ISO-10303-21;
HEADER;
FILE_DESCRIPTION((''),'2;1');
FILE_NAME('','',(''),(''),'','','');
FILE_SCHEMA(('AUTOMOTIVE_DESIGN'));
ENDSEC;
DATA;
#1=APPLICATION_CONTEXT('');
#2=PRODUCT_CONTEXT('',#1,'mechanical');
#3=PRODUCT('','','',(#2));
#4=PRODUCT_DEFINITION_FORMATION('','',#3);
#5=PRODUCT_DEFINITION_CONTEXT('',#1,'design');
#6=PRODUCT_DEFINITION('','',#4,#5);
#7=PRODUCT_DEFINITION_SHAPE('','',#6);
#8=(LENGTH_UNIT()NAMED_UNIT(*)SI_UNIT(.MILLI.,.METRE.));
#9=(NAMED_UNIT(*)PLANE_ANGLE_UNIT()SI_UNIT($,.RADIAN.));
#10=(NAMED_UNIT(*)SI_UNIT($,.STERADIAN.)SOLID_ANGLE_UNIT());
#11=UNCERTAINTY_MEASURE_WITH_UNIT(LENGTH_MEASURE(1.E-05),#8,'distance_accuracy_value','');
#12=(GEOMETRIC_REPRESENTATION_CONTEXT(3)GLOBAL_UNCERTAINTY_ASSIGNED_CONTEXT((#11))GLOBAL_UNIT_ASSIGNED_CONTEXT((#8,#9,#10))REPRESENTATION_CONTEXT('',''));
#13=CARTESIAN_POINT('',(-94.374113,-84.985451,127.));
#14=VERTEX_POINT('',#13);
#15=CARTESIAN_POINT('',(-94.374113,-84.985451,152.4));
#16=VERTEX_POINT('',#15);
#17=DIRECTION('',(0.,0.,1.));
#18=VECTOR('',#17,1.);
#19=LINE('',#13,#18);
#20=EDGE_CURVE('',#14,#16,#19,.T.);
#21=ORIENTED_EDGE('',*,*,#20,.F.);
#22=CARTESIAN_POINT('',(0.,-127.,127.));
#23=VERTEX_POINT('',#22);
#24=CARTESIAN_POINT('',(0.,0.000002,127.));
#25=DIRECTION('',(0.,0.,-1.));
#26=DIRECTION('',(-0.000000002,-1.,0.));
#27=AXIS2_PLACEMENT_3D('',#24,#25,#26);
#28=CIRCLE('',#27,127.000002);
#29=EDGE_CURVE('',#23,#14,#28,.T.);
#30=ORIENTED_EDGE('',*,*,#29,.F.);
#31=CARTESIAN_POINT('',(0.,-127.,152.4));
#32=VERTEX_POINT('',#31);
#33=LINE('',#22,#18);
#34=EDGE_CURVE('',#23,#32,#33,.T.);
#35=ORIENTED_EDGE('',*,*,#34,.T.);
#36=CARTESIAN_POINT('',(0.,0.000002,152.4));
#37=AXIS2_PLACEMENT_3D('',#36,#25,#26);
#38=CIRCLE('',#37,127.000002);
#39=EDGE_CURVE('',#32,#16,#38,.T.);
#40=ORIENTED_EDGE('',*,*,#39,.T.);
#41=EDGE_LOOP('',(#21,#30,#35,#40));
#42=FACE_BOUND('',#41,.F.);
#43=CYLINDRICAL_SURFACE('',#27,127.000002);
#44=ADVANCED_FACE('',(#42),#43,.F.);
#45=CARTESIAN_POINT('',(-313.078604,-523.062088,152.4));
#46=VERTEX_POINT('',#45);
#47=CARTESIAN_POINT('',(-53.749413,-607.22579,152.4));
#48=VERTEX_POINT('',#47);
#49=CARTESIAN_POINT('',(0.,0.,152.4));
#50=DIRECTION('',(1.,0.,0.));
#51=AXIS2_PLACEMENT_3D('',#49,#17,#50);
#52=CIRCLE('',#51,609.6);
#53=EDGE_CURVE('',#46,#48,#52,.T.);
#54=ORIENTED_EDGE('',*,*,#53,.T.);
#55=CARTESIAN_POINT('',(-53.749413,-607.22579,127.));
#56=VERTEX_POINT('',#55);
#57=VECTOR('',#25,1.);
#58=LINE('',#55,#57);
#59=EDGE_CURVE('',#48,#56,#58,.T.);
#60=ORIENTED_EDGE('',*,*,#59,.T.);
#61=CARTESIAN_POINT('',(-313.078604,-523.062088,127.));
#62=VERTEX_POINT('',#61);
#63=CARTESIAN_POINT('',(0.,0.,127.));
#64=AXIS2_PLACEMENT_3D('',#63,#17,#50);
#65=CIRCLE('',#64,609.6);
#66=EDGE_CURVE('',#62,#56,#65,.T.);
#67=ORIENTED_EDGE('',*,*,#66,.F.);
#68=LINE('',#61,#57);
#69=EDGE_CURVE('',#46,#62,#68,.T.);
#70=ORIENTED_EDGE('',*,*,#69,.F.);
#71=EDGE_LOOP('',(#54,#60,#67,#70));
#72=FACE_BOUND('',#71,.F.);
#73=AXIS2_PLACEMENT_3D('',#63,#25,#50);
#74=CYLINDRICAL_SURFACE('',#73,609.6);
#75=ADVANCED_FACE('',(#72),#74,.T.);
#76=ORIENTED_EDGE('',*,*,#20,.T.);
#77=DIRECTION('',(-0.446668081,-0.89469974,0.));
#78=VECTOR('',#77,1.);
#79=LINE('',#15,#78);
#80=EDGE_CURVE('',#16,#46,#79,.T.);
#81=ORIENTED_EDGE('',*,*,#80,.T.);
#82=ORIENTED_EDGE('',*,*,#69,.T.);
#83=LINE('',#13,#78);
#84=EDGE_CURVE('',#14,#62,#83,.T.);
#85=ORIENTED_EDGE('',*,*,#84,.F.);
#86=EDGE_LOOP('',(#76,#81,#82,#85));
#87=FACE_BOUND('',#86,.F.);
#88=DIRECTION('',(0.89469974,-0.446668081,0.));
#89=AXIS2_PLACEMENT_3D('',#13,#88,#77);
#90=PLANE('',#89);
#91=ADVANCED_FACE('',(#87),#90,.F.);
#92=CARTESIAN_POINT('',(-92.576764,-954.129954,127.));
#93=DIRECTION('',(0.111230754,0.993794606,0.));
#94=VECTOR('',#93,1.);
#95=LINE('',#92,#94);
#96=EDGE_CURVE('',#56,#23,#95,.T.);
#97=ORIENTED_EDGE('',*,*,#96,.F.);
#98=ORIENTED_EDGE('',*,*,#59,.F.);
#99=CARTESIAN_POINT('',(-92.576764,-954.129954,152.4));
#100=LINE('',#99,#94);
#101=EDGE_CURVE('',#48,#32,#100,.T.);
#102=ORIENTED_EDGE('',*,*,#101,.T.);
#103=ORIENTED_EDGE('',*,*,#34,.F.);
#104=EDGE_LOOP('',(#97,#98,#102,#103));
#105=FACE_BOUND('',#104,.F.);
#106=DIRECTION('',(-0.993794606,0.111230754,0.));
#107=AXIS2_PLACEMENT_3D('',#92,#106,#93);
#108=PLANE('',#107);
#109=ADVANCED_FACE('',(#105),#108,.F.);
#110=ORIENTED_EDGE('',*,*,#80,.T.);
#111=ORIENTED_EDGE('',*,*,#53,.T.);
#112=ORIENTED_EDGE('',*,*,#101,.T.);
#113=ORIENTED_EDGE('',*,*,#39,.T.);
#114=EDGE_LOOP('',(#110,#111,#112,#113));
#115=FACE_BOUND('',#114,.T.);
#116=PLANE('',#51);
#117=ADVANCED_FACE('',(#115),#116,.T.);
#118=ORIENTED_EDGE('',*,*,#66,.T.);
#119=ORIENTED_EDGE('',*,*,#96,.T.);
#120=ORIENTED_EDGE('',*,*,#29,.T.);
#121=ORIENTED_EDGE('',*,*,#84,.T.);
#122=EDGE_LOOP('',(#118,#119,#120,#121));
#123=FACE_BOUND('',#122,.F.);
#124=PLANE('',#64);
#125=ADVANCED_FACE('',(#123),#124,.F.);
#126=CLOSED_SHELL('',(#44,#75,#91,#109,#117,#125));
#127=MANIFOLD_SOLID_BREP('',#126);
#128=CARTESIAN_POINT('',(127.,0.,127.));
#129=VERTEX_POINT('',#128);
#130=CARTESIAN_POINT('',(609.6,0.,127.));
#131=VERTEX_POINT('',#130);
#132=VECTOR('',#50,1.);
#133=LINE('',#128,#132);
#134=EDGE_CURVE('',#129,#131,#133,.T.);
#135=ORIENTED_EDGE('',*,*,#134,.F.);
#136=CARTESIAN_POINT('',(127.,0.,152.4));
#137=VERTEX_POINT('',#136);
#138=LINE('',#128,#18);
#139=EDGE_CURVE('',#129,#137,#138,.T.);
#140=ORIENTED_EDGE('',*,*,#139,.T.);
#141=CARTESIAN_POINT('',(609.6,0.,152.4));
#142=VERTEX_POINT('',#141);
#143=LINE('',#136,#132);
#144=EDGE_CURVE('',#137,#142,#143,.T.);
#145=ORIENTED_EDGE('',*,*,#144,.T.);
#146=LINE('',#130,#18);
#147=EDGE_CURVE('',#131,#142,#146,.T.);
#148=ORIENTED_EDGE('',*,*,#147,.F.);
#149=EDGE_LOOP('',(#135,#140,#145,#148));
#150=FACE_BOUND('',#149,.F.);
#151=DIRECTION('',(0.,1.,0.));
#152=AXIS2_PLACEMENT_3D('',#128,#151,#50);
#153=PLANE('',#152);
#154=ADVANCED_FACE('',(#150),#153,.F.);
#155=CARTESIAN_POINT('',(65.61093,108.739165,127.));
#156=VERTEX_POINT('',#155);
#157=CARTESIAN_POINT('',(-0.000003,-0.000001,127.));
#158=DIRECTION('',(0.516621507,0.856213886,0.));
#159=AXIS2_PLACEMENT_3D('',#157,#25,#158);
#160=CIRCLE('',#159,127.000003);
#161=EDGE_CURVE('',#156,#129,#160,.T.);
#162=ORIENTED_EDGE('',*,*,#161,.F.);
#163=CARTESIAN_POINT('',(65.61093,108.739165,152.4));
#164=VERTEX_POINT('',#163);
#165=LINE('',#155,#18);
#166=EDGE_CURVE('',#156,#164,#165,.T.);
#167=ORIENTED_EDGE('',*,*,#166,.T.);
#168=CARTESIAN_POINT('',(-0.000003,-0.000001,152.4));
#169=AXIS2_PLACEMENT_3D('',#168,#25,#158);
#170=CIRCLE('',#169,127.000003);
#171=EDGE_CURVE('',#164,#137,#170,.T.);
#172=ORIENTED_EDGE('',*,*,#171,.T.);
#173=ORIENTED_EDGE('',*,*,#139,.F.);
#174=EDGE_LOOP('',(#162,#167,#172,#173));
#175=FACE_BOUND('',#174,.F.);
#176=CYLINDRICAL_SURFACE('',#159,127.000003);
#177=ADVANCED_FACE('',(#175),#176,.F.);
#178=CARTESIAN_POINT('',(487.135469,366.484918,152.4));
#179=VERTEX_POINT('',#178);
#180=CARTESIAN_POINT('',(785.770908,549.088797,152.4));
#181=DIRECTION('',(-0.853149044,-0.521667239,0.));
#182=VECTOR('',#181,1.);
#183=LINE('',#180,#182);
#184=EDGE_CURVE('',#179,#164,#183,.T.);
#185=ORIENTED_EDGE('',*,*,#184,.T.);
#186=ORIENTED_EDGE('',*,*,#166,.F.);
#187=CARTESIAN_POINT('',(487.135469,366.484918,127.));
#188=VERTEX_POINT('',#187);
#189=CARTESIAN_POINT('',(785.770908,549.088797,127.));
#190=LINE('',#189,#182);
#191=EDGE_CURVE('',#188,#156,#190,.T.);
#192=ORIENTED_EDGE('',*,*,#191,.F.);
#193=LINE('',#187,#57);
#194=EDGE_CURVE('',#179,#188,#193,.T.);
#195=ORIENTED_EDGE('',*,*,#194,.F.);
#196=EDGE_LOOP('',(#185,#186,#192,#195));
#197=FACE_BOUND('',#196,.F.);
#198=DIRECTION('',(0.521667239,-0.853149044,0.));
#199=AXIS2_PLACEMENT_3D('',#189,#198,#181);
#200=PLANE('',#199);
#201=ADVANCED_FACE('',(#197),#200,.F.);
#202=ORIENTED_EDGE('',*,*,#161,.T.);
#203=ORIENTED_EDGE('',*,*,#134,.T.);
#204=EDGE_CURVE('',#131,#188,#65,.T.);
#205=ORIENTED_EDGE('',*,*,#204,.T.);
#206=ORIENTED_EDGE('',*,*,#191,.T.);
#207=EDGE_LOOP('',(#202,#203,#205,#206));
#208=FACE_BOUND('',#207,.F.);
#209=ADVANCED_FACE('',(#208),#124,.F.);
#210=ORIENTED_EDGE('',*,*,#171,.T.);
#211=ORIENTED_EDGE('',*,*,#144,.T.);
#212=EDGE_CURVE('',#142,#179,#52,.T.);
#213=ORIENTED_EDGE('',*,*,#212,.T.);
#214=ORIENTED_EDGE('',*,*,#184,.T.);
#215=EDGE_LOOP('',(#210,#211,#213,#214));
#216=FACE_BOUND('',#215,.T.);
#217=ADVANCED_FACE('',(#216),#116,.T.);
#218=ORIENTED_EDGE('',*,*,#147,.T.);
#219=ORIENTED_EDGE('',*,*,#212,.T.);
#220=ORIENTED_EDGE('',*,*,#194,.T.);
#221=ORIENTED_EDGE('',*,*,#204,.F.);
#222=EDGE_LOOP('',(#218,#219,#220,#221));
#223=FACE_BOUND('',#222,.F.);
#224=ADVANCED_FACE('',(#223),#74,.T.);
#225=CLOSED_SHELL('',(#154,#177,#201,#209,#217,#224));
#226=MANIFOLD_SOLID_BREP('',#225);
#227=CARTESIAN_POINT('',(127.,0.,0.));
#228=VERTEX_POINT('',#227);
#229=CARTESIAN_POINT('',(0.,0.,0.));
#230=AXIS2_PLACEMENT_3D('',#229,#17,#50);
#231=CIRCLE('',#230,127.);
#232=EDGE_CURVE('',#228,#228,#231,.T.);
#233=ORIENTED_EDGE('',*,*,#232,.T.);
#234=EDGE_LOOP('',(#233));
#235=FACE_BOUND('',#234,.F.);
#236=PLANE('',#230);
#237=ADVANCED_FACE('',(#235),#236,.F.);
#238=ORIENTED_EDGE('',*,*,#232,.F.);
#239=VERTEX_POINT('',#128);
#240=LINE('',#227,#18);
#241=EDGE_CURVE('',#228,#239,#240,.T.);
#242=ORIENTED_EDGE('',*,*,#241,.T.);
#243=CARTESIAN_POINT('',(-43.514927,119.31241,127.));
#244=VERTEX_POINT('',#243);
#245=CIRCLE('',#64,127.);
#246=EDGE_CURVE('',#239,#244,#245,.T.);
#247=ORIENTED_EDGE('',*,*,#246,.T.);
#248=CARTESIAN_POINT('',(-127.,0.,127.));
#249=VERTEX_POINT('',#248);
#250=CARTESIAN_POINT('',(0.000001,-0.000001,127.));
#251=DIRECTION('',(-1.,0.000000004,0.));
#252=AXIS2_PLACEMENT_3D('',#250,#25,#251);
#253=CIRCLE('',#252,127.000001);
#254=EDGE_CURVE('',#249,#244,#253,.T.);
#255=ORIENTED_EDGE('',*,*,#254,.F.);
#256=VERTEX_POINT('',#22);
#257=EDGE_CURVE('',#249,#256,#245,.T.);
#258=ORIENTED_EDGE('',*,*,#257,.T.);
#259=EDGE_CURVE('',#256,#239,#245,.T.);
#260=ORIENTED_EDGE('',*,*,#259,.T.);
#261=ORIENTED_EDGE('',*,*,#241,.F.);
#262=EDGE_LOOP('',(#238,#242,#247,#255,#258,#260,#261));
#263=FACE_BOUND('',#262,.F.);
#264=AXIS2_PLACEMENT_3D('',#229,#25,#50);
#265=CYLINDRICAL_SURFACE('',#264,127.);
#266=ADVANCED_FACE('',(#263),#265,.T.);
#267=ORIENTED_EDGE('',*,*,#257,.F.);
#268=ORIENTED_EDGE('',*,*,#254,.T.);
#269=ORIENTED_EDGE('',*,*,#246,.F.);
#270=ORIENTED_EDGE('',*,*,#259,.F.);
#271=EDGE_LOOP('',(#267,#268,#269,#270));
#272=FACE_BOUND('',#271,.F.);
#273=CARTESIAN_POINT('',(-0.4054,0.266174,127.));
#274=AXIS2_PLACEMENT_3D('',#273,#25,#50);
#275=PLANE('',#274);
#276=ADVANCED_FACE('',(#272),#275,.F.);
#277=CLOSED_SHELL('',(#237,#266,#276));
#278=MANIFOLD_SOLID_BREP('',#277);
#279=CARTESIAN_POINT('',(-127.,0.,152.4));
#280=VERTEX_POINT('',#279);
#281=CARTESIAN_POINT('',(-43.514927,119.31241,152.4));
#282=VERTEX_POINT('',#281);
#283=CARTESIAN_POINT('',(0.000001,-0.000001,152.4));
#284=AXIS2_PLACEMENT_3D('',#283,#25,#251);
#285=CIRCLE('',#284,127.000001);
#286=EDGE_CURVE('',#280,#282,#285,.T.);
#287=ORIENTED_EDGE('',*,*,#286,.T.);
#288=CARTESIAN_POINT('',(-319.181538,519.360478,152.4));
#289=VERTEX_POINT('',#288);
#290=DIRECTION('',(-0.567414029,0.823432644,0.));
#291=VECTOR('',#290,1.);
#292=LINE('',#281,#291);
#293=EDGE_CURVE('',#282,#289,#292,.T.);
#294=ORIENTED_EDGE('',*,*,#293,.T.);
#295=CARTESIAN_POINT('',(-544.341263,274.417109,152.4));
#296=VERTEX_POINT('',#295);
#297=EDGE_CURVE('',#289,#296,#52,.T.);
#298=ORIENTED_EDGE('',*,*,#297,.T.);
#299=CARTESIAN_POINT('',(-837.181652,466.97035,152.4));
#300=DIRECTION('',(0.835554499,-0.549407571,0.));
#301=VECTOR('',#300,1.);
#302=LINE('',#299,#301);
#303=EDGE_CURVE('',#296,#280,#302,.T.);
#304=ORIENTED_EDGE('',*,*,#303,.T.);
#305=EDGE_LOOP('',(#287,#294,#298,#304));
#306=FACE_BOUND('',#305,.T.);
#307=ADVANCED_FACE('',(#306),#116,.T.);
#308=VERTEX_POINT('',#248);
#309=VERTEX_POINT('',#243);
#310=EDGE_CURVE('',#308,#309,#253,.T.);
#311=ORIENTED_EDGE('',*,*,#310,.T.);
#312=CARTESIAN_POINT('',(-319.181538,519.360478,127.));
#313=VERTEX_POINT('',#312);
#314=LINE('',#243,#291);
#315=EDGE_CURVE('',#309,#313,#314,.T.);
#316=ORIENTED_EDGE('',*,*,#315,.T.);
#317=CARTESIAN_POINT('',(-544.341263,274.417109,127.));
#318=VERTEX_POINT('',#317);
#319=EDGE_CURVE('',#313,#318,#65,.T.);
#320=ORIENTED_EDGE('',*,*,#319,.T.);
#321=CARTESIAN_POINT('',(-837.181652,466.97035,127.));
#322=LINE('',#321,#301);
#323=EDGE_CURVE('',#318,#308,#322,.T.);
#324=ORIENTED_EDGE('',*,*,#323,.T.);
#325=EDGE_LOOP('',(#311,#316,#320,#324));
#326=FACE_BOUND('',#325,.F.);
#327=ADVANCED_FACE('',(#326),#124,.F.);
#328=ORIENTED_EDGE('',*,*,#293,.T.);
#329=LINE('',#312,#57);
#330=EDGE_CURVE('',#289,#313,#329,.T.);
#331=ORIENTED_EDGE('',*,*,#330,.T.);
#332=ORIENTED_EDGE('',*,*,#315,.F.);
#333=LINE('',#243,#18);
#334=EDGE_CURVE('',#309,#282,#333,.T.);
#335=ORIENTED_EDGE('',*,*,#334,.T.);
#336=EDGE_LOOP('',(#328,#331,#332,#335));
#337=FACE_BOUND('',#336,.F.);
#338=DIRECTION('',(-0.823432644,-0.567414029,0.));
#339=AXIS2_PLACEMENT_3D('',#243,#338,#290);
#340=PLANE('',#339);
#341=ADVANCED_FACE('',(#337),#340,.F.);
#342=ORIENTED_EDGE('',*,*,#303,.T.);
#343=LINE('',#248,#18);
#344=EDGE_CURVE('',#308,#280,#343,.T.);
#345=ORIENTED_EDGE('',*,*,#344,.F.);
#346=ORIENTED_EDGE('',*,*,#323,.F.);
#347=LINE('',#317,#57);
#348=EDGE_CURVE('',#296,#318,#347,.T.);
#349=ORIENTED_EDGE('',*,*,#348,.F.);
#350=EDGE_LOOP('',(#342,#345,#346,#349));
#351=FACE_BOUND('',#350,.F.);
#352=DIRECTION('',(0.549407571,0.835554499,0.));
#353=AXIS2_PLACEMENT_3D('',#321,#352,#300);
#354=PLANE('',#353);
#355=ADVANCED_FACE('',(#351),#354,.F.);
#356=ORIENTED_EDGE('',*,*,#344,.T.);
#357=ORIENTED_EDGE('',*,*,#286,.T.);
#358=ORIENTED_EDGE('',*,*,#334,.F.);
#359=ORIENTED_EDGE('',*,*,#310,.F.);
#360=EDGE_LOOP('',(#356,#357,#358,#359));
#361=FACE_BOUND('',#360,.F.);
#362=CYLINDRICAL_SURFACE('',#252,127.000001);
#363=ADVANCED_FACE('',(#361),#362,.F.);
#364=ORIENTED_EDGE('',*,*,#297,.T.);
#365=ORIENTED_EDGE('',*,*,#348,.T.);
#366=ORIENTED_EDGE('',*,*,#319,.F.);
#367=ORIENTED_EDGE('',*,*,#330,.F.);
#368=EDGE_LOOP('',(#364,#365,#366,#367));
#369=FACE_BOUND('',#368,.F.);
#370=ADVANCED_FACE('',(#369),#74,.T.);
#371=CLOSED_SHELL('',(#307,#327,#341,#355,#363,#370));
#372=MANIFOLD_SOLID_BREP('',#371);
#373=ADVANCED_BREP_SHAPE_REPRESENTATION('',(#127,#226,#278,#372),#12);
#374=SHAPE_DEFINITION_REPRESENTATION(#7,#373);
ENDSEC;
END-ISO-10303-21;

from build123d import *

# Parameters (mm, degrees)
F0_R     = 127
F1_DEPTH = 127
F2_R     = 609.6
F3_DEPTH = 25.4
F5_DEPTH = 25.4


with BuildPart() as f1:
    # F0 (on Top) → F1 (new body)
    with BuildSketch(Plane.XY):
        Circle(F0_R)
    extrude(amount=F1_DEPTH)

    # F2 (on face) → F3 (join)
    with BuildSketch(Plane.XY.offset(127)):
        Circle(F2_R)
    extrude(amount=F3_DEPTH)

    # F4 (on face) → F5 (cut)
    with BuildSketch(Plane(origin=(0, 0, 127), x_dir=(1, 0, 0), z_dir=(0, 0, -1))):
        with BuildLine():
            ThreePointArc((0, 127), (-51.651949, 116.021878), (-94.374113, 84.985451))
            ThreePointArc((-94.374113, 84.985451), (-118.5633, 45.516413), (-127, 0))
            ThreePointArc((-127, 0), (-104.056224, -72.810042), (-43.514927, -119.31241))
            ThreePointArc((-43.514927, -119.31241), (12.247723, -126.408043), (65.61093, -108.739165))
            ThreePointArc((65.61093, -108.739165), (110.59292, -62.435615), (127, 0))
            ThreePointArc((127, 0), (89.802561, 89.802561), (0, 127))
        make_face()
        with BuildLine():
            ThreePointArc((-127, 0), (-118.5633, 45.516413), (-94.374113, 84.985451))
            Line((-94.374113, 84.985451), (-469.259506, 835.900678))
            ThreePointArc((-469.259506, 835.900678), (-922.532034, 260.516934), (-837.181652, -466.97035))
            Line((-837.181652, -466.97035), (-127, 0))
        make_face()
        with BuildLine():
            Line((-92.576764, 954.129954), (0, 127))
            ThreePointArc((0, 127), (89.802561, 89.802561), (127, 0))
            Line((127, 0), (958.610675, 0))
            ThreePointArc((958.610675, 0), (644.278415, 709.816702), (-92.576764, 954.129954))
        make_face()
        with BuildLine():
            ThreePointArc((65.61093, -108.739165), (12.247723, -126.408043), (-43.514927, -119.31241))
            Line((-43.514927, -119.31241), (-517.387411, -806.997332))
            ThreePointArc((-517.387411, -806.997332), (186.109184, -940.371096), (785.770908, -549.088797))
            Line((785.770908, -549.088797), (65.61093, -108.739165))
        make_face()
    extrude(amount=-F5_DEPTH, mode=Mode.SUBTRACT)


solid = f1.part
